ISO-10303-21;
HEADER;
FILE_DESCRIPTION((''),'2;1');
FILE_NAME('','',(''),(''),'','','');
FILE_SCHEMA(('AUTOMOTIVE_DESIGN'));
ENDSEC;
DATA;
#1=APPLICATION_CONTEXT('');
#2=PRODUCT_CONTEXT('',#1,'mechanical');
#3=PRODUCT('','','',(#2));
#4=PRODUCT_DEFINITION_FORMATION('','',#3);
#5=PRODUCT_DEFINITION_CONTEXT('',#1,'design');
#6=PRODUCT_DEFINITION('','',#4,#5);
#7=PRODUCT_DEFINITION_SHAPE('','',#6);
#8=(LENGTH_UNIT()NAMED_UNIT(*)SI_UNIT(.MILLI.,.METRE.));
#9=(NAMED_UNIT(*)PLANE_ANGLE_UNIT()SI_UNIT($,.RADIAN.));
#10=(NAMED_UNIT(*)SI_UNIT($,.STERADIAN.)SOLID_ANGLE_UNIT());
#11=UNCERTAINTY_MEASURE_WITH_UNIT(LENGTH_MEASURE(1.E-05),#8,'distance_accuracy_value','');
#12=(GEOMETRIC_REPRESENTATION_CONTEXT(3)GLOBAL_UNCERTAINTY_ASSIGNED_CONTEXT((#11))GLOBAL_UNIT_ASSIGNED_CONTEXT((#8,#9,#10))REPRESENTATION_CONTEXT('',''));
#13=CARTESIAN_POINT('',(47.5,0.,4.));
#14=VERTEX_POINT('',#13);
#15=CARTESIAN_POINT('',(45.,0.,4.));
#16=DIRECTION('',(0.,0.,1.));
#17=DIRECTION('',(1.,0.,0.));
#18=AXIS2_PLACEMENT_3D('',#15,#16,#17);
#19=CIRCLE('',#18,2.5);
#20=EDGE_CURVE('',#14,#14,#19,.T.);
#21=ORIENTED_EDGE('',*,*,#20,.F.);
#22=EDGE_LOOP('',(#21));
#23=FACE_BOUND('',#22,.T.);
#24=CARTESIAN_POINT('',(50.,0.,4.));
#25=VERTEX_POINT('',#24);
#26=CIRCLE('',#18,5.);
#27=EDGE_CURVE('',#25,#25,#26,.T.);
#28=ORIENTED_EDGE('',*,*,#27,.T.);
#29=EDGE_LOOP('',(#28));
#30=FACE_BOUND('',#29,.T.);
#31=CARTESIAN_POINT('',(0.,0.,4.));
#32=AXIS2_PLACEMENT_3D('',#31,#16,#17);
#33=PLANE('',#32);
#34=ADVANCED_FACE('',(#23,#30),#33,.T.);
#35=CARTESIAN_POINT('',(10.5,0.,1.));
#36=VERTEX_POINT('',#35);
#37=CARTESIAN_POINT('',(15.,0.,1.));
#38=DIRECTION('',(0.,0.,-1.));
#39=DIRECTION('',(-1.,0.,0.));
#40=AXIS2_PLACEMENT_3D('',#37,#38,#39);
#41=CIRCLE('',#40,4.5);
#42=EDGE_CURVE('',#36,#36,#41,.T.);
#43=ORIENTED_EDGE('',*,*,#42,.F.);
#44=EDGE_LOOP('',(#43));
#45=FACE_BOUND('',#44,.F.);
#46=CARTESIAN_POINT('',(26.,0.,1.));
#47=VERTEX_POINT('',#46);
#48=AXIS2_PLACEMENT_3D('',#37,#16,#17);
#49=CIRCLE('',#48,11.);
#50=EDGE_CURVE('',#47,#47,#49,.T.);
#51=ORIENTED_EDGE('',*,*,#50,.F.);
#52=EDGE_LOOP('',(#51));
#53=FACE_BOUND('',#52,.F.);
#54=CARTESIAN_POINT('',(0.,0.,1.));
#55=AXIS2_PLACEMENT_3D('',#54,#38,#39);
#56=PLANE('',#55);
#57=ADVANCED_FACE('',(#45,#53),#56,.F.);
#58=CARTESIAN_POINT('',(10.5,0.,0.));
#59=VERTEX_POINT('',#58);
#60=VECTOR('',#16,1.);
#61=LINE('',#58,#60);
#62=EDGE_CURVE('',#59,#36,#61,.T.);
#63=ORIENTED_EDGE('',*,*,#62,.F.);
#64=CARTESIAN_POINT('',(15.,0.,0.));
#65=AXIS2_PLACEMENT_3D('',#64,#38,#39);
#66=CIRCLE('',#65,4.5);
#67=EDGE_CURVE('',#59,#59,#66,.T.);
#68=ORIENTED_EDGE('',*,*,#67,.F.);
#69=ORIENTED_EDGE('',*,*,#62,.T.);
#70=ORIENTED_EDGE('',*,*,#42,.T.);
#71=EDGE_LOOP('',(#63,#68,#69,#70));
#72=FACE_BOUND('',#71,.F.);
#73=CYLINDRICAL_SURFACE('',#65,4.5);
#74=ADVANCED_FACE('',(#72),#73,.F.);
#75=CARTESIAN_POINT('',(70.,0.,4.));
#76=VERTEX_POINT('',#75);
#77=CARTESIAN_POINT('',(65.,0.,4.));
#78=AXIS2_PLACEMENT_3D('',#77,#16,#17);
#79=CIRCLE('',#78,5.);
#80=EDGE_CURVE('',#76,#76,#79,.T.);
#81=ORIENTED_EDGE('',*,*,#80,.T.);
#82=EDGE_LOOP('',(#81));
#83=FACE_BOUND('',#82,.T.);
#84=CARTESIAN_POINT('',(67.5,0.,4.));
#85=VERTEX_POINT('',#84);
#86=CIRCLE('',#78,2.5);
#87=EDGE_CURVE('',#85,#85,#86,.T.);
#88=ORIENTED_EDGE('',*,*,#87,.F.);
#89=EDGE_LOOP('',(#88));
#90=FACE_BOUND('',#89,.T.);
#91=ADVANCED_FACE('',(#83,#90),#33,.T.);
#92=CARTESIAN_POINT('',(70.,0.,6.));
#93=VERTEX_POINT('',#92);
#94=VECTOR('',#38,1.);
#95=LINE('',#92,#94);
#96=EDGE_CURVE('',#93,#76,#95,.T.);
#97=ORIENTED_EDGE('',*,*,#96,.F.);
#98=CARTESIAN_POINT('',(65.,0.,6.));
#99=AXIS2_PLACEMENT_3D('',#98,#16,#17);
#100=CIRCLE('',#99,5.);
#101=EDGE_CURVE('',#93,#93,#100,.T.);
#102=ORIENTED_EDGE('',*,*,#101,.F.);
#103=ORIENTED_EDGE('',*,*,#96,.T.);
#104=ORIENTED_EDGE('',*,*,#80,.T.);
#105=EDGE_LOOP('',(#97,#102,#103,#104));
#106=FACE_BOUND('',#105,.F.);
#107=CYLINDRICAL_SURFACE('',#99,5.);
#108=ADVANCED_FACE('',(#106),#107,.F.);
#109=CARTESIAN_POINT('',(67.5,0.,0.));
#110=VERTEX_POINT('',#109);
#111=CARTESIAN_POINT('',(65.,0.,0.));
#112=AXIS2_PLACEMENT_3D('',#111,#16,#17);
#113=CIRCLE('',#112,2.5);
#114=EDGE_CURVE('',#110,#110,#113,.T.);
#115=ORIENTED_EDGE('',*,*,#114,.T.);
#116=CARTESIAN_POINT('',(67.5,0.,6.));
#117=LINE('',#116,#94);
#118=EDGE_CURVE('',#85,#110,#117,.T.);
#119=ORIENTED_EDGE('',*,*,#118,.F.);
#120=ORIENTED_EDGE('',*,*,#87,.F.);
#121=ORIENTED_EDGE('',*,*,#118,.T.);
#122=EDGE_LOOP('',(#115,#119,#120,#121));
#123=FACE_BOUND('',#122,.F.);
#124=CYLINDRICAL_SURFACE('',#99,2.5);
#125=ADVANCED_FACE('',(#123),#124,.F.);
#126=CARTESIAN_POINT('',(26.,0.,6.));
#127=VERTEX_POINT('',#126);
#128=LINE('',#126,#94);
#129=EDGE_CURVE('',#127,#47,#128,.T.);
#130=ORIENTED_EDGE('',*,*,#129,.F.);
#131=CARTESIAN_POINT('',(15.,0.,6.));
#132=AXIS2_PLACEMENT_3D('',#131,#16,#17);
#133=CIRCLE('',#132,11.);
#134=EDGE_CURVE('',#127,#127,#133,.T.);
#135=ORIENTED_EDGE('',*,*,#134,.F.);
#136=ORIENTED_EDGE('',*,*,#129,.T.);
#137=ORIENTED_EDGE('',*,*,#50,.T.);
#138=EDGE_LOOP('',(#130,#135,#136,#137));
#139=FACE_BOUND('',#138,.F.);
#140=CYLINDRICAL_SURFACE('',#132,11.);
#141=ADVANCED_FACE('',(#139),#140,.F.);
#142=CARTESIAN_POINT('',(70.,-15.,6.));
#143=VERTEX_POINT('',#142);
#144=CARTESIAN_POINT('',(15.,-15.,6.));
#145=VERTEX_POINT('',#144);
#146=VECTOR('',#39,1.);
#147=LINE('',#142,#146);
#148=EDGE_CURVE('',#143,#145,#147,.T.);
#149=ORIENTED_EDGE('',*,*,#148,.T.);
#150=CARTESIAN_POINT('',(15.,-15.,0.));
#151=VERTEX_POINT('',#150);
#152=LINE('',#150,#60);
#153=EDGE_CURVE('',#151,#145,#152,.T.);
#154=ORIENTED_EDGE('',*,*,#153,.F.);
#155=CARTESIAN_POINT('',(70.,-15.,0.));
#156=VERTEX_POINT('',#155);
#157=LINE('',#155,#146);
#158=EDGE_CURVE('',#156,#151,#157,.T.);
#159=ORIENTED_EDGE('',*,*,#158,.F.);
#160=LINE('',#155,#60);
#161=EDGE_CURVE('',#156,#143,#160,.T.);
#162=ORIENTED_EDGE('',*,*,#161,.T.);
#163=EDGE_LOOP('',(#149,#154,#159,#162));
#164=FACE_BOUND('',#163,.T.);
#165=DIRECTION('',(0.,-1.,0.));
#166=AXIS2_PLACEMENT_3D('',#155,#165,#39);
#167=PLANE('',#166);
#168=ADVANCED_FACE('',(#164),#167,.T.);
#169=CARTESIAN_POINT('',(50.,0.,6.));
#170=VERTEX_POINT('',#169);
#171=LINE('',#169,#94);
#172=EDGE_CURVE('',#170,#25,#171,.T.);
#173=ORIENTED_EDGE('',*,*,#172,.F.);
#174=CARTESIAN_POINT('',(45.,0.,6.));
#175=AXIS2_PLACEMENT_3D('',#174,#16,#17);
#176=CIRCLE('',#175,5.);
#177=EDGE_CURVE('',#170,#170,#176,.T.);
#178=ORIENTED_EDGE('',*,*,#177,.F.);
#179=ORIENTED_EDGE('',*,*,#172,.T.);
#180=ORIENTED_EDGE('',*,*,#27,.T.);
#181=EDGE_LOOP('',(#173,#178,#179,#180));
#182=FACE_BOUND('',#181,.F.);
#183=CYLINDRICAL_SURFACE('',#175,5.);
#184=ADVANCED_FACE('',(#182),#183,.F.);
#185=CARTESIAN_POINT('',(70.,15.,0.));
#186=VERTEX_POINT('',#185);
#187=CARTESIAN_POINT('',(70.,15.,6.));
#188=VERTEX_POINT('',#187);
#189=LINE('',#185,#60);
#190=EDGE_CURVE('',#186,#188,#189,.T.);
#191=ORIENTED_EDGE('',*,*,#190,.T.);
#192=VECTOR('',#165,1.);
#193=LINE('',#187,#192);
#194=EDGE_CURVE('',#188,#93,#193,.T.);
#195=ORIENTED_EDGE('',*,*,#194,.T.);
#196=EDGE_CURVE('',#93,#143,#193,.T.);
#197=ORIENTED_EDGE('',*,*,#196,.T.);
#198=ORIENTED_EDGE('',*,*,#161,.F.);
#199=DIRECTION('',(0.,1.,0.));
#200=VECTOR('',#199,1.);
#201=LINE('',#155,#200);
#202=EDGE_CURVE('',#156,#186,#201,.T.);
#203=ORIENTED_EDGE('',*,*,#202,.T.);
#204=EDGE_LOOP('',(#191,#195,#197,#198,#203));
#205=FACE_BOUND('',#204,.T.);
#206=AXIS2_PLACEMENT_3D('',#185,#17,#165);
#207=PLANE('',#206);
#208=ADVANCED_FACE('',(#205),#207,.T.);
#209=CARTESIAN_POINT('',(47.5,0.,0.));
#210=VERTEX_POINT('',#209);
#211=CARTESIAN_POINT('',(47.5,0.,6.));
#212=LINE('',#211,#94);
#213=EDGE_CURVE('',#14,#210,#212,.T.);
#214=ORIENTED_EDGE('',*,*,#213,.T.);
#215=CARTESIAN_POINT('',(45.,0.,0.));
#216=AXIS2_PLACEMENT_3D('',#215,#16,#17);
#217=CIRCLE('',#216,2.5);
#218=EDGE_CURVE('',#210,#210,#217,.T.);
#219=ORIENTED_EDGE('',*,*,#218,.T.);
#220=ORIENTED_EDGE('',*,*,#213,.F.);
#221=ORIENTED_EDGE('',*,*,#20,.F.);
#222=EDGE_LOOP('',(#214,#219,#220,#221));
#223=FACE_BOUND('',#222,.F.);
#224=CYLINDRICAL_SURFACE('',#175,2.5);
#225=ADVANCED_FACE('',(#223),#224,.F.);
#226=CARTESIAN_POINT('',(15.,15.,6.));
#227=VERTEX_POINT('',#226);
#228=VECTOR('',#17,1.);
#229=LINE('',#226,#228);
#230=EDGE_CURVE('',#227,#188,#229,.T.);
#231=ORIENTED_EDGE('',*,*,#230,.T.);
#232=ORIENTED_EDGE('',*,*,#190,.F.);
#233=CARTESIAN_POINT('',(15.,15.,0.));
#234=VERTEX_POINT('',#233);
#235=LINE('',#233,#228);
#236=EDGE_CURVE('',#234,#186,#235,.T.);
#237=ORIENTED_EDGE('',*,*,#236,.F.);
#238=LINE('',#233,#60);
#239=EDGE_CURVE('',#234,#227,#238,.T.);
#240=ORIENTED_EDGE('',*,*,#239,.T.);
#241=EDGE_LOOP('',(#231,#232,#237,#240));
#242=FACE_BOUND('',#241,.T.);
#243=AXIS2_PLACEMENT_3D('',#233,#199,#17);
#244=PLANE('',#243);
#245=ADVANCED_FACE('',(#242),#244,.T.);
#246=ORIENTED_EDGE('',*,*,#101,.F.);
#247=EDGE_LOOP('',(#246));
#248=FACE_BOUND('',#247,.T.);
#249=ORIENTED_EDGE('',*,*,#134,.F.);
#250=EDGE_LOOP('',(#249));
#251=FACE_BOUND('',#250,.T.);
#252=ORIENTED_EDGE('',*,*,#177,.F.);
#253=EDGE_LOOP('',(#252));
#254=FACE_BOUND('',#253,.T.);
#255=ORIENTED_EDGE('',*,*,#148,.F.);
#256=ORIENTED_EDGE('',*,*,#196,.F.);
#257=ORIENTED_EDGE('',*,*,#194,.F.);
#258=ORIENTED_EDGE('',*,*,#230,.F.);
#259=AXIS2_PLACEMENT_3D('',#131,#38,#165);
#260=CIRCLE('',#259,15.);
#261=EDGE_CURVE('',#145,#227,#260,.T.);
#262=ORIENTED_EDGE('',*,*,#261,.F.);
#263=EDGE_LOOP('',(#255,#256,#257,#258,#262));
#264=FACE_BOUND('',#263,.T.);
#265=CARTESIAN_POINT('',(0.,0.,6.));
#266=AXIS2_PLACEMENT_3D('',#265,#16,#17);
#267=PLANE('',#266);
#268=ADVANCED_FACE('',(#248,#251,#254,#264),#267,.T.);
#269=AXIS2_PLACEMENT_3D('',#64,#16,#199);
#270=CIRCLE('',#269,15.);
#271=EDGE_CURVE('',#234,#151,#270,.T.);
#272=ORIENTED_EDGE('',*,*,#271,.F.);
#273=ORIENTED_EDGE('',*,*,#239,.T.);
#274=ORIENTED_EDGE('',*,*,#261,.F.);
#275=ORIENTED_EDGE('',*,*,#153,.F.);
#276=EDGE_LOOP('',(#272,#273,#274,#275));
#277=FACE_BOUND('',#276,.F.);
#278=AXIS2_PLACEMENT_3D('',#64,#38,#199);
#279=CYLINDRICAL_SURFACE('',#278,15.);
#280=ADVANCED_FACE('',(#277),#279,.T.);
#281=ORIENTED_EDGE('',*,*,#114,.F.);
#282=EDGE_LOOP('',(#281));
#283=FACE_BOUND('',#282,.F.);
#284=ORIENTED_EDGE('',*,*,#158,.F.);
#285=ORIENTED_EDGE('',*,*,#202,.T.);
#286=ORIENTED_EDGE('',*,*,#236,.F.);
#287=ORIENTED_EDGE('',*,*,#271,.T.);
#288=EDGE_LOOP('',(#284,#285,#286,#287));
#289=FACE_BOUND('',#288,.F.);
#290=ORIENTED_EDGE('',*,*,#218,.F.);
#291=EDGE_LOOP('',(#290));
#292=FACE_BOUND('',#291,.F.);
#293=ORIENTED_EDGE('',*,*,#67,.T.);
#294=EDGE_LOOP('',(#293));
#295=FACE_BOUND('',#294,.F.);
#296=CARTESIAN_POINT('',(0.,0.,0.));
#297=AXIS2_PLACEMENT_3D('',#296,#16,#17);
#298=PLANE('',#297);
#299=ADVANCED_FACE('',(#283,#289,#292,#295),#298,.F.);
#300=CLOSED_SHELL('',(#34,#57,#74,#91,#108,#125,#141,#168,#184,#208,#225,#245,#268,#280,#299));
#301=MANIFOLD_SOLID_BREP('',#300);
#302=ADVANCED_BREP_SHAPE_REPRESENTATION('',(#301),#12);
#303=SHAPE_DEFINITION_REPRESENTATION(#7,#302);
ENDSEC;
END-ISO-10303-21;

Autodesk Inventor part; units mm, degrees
ref_plane "YZ Plane" through (0, 0, 0) normal (1, 0, 0) x (0, 1, 0)
ref_plane "XZ Plane" through (0, 0, 0) normal (0, 1, 0) x (-1, 0, 0)
ref_plane "XY Plane" through (0, 0, 0) normal (0, 0, 1) x (1, 0, 0)
sketch "Sketch1" plane through (0, 0, 0) normal (0, 0, 1) x (1, 0, 0)
  line L0 (15, 15) -> (70, 15)
  line L1 (70, 15) -> (70, -15)
  line L2 (70, -15) -> (15, -15)
  line L3 (-14, 0) -> (84, 0) projected
  arc A0 (15, 15) -> (15, -15) centre (15, 0) ccw
  line L4 (0, -21) -> (0, 21) projected
  line L5 (15, 0) -> (70, 0)
  point P0 (0, 0)
  dimension "d4" = 30
  dimension "d15" = 15
  dimension "d16" = 55
extrude "Extrusion1" add sketch "Sketch1" along normal blind 6
sketch "Sketch2" plane through (0, 0, 6) normal (0, 0, 1) x (1, 0, 0)
  circle A0 centre (15, 0) radius 11
  arc A1 (15, 15) -> (15, -15) centre (15, 0) ccw projected
  point P0 (0, 0)
  dimension "d7" = 22
extrude "Extrusion2" cut sketch "Sketch2" against normal blind 10
sketch "Sketch3" plane through (0, 0, 6) normal (0, 0, 1) x (1, 0, 0)
  circle A0 centre (65, 0) radius 2.5
  line L0 (70, -15) -> (70, 15) projected
  circle A1 centre (45, 0) radius 2.5
  point P0 (0, 0)
  dimension "d10" = 5
  dimension "d12" = 5
  dimension "d26" = 5
  dimension "d27" = 20
extrude "Extrusion3" cut sketch "Sketch3" against normal blind 10
sketch "Sketch4" plane through (0, 0, 0) normal (0, 0, -1) x (-1, 0, 0)
  circle A0 centre (-15, 0) radius 15
  arc A1 (-15, -15) -> (-15, 15) centre (-15, 0) ccw projected
  circle A2 centre (-15, 0) radius 11 projected
  point P0 (0, 0)
extrude "Extrusion4" add sketch "Sketch4" against normal blind 1 contours A0 | A2
sketch "Sketch6" plane through (0, 0, 6) normal (0, 0, 1) x (1, 0, 0)
  circle A0 centre (65, 0) radius 2.5 projected
  circle A1 centre (65, 0) radius 5
  circle A2 centre (45, 0) radius 5
  circle A3 centre (45, 0) radius 2.5 projected
  point P0 (0, 0)
  dimension "d22" = 10
  dimension "d28" = 10
extrude "Extrusion6" cut sketch "Sketch6" against normal blind 2
sketch "Sketch7" plane through (0, 0, 0) normal (0, 0, -1) x (-1, 0, 0)
  arc A0 (-15, -15) -> (-15, 15) centre (-15, 0) ccw projected
  circle A1 centre (-15, 0) radius 4.5
  point P0 (0, 0)
  dimension "d29" = 9
extrude "Extrusion7" cut sketch "Sketch7" against normal blind 2
properties part number "bearing_mount"
